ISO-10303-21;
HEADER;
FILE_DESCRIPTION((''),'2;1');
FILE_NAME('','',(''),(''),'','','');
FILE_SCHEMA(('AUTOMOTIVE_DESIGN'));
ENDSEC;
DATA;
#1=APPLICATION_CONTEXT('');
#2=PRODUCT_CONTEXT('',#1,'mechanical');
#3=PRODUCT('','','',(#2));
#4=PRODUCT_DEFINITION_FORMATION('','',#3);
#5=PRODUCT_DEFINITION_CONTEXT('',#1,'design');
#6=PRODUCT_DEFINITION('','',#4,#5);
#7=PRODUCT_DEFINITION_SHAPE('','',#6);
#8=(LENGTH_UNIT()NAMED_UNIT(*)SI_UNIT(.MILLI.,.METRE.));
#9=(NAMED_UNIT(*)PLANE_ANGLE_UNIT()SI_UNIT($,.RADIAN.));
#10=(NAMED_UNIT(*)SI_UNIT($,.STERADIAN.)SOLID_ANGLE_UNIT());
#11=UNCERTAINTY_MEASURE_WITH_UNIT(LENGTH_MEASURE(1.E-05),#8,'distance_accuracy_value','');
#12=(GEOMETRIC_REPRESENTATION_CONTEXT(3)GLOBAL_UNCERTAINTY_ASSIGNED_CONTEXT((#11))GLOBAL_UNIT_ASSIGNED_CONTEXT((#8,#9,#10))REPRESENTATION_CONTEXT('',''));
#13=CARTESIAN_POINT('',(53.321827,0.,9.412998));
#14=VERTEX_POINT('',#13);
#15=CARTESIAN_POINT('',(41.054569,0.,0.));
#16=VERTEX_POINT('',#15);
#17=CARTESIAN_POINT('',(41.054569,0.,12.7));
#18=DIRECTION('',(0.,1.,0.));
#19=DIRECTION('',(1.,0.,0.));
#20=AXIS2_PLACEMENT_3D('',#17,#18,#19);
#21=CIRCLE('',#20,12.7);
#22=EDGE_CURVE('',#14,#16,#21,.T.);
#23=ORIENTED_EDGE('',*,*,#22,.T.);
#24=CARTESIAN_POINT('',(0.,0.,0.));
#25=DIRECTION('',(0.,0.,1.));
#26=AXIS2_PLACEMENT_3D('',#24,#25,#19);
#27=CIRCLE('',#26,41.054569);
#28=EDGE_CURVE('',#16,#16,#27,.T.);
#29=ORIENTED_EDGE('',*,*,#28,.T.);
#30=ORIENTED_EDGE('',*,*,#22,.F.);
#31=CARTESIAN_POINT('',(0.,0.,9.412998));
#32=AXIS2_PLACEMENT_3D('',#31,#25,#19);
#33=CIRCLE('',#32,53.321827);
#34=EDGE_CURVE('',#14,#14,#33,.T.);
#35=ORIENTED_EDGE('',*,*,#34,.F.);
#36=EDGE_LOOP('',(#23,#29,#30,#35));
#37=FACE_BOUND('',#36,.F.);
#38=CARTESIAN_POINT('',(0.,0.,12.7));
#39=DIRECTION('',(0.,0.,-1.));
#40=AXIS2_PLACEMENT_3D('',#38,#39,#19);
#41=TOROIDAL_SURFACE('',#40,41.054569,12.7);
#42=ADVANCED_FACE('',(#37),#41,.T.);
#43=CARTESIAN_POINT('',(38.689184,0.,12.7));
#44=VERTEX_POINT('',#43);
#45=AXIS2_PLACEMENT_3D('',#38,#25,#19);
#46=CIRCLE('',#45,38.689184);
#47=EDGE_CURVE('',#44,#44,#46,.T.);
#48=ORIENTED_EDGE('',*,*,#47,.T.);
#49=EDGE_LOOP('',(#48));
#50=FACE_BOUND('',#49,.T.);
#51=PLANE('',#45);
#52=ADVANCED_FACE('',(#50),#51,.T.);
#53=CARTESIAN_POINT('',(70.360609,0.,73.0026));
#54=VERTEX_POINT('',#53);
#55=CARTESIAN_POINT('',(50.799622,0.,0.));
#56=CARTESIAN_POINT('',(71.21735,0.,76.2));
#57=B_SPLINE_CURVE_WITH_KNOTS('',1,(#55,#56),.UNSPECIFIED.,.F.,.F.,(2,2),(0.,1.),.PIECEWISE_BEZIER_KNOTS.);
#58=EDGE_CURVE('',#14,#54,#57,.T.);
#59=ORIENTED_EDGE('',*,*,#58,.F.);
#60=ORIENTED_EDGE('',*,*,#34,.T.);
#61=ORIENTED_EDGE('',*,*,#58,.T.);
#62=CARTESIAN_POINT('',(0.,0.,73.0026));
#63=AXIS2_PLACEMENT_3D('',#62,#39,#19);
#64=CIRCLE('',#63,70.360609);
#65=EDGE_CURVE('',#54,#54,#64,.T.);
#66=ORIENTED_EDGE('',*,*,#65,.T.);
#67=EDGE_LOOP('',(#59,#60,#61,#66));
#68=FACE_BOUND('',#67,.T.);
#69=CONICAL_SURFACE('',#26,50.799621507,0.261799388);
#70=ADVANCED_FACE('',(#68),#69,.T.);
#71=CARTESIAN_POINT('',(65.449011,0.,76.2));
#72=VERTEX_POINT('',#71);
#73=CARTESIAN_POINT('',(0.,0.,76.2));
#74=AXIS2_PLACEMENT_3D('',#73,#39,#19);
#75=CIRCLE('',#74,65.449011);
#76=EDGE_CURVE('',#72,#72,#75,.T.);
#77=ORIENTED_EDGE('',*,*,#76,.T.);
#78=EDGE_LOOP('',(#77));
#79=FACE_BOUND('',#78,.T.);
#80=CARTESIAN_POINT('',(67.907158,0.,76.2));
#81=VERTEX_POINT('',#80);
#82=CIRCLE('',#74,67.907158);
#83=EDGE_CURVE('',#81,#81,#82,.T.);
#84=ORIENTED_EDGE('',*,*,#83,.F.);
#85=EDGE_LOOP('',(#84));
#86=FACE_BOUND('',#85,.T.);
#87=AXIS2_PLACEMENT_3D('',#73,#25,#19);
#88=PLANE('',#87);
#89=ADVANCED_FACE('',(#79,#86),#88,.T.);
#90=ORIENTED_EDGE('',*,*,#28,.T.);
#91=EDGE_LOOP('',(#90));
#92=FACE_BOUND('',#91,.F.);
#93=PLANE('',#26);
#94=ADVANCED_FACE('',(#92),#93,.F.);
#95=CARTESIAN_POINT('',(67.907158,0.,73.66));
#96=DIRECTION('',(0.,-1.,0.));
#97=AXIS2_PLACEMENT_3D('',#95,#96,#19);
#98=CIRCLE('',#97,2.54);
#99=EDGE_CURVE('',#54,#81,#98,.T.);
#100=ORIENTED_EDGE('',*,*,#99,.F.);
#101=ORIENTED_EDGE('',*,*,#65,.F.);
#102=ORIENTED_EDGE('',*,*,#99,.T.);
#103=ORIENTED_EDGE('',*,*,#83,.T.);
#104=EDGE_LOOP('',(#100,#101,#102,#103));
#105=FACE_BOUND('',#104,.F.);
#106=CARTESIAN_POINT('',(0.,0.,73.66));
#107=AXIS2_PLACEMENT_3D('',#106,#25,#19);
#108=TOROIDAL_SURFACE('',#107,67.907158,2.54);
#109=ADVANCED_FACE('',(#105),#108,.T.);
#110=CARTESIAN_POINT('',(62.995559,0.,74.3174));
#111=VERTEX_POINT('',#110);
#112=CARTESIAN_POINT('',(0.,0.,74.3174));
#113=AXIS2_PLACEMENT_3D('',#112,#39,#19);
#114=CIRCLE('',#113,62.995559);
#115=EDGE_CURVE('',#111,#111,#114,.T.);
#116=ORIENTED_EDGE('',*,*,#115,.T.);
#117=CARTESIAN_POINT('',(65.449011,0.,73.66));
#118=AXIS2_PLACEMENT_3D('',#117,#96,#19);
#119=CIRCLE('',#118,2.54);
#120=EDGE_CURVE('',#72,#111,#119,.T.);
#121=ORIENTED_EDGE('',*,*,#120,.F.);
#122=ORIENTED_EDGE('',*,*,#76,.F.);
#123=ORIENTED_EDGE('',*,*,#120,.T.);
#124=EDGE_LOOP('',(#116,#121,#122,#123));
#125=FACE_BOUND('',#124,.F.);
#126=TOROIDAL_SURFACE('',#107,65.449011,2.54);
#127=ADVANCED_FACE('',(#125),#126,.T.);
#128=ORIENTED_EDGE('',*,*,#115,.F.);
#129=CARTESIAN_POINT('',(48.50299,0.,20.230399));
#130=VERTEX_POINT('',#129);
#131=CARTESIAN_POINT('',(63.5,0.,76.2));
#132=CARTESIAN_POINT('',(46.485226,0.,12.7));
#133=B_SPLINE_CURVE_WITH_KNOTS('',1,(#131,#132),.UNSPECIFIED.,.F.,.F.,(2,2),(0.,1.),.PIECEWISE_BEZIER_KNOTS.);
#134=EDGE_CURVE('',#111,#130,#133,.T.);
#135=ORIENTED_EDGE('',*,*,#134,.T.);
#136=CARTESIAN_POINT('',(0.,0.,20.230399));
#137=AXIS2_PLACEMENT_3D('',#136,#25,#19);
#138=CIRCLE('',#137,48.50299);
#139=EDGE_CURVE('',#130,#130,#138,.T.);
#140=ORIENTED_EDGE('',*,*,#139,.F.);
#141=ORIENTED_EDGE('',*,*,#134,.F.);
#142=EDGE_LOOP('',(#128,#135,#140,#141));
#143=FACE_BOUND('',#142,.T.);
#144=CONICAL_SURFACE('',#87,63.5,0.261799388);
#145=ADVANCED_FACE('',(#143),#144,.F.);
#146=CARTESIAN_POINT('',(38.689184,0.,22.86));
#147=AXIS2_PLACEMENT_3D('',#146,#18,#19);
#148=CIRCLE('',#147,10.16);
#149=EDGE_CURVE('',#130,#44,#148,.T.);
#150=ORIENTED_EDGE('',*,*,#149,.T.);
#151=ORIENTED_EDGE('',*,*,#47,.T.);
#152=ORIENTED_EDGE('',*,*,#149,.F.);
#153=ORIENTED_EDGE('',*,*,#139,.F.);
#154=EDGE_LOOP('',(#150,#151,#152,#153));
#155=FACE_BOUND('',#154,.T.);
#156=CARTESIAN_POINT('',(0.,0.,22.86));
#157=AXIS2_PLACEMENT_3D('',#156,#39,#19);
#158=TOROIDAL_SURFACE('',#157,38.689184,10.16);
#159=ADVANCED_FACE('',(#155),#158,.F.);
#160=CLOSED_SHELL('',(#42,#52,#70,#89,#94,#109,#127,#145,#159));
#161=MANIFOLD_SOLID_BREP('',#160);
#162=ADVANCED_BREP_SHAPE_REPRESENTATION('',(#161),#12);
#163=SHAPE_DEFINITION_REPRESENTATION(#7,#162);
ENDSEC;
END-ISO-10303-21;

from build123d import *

# Parameters (mm, degrees)
F0_R     = 50.7996215071
F1_DEPTH = 76.2
F1_TAPER = -15
F2_R     = 63.5
F3_DEPTH = 63.5
F3_TAPER = 15
F4_R     = 2.54
F5_R     = 12.7
F6_R     = 10.16


with BuildPart() as f1:
    # F0 (on Top) → F1 (new body)
    with BuildSketch(Plane.XY):
        Circle(F0_R)
    extrude(amount=F1_DEPTH, taper=F1_TAPER)

    # F2 (on face) → F3 (cut)
    with BuildSketch(Plane.XY.offset(76.2)):
        Circle(F2_R)
    extrude(amount=-F3_DEPTH, taper=F3_TAPER, mode=Mode.SUBTRACT)

    # F4
    f4_edges = [f1.edges().sort_by_distance(p)[0] for p in [
        (-71.21735, 0, 76.2),
        (-63.5, 0, 76.2),
    ]]
    fillet(f4_edges, radius=F4_R)

    # F5
    f5_edges = [f1.edges().sort_by_distance(p)[0] for p in [
        (-50.799622, 0, 0),
    ]]
    fillet(f5_edges, radius=F5_R)

    # F6
    f6_edges = [f1.edges().sort_by_distance(p)[0] for p in [
        (-46.485226, 0, 12.7),
    ]]
    fillet(f6_edges, radius=F6_R)


solid = f1.part
